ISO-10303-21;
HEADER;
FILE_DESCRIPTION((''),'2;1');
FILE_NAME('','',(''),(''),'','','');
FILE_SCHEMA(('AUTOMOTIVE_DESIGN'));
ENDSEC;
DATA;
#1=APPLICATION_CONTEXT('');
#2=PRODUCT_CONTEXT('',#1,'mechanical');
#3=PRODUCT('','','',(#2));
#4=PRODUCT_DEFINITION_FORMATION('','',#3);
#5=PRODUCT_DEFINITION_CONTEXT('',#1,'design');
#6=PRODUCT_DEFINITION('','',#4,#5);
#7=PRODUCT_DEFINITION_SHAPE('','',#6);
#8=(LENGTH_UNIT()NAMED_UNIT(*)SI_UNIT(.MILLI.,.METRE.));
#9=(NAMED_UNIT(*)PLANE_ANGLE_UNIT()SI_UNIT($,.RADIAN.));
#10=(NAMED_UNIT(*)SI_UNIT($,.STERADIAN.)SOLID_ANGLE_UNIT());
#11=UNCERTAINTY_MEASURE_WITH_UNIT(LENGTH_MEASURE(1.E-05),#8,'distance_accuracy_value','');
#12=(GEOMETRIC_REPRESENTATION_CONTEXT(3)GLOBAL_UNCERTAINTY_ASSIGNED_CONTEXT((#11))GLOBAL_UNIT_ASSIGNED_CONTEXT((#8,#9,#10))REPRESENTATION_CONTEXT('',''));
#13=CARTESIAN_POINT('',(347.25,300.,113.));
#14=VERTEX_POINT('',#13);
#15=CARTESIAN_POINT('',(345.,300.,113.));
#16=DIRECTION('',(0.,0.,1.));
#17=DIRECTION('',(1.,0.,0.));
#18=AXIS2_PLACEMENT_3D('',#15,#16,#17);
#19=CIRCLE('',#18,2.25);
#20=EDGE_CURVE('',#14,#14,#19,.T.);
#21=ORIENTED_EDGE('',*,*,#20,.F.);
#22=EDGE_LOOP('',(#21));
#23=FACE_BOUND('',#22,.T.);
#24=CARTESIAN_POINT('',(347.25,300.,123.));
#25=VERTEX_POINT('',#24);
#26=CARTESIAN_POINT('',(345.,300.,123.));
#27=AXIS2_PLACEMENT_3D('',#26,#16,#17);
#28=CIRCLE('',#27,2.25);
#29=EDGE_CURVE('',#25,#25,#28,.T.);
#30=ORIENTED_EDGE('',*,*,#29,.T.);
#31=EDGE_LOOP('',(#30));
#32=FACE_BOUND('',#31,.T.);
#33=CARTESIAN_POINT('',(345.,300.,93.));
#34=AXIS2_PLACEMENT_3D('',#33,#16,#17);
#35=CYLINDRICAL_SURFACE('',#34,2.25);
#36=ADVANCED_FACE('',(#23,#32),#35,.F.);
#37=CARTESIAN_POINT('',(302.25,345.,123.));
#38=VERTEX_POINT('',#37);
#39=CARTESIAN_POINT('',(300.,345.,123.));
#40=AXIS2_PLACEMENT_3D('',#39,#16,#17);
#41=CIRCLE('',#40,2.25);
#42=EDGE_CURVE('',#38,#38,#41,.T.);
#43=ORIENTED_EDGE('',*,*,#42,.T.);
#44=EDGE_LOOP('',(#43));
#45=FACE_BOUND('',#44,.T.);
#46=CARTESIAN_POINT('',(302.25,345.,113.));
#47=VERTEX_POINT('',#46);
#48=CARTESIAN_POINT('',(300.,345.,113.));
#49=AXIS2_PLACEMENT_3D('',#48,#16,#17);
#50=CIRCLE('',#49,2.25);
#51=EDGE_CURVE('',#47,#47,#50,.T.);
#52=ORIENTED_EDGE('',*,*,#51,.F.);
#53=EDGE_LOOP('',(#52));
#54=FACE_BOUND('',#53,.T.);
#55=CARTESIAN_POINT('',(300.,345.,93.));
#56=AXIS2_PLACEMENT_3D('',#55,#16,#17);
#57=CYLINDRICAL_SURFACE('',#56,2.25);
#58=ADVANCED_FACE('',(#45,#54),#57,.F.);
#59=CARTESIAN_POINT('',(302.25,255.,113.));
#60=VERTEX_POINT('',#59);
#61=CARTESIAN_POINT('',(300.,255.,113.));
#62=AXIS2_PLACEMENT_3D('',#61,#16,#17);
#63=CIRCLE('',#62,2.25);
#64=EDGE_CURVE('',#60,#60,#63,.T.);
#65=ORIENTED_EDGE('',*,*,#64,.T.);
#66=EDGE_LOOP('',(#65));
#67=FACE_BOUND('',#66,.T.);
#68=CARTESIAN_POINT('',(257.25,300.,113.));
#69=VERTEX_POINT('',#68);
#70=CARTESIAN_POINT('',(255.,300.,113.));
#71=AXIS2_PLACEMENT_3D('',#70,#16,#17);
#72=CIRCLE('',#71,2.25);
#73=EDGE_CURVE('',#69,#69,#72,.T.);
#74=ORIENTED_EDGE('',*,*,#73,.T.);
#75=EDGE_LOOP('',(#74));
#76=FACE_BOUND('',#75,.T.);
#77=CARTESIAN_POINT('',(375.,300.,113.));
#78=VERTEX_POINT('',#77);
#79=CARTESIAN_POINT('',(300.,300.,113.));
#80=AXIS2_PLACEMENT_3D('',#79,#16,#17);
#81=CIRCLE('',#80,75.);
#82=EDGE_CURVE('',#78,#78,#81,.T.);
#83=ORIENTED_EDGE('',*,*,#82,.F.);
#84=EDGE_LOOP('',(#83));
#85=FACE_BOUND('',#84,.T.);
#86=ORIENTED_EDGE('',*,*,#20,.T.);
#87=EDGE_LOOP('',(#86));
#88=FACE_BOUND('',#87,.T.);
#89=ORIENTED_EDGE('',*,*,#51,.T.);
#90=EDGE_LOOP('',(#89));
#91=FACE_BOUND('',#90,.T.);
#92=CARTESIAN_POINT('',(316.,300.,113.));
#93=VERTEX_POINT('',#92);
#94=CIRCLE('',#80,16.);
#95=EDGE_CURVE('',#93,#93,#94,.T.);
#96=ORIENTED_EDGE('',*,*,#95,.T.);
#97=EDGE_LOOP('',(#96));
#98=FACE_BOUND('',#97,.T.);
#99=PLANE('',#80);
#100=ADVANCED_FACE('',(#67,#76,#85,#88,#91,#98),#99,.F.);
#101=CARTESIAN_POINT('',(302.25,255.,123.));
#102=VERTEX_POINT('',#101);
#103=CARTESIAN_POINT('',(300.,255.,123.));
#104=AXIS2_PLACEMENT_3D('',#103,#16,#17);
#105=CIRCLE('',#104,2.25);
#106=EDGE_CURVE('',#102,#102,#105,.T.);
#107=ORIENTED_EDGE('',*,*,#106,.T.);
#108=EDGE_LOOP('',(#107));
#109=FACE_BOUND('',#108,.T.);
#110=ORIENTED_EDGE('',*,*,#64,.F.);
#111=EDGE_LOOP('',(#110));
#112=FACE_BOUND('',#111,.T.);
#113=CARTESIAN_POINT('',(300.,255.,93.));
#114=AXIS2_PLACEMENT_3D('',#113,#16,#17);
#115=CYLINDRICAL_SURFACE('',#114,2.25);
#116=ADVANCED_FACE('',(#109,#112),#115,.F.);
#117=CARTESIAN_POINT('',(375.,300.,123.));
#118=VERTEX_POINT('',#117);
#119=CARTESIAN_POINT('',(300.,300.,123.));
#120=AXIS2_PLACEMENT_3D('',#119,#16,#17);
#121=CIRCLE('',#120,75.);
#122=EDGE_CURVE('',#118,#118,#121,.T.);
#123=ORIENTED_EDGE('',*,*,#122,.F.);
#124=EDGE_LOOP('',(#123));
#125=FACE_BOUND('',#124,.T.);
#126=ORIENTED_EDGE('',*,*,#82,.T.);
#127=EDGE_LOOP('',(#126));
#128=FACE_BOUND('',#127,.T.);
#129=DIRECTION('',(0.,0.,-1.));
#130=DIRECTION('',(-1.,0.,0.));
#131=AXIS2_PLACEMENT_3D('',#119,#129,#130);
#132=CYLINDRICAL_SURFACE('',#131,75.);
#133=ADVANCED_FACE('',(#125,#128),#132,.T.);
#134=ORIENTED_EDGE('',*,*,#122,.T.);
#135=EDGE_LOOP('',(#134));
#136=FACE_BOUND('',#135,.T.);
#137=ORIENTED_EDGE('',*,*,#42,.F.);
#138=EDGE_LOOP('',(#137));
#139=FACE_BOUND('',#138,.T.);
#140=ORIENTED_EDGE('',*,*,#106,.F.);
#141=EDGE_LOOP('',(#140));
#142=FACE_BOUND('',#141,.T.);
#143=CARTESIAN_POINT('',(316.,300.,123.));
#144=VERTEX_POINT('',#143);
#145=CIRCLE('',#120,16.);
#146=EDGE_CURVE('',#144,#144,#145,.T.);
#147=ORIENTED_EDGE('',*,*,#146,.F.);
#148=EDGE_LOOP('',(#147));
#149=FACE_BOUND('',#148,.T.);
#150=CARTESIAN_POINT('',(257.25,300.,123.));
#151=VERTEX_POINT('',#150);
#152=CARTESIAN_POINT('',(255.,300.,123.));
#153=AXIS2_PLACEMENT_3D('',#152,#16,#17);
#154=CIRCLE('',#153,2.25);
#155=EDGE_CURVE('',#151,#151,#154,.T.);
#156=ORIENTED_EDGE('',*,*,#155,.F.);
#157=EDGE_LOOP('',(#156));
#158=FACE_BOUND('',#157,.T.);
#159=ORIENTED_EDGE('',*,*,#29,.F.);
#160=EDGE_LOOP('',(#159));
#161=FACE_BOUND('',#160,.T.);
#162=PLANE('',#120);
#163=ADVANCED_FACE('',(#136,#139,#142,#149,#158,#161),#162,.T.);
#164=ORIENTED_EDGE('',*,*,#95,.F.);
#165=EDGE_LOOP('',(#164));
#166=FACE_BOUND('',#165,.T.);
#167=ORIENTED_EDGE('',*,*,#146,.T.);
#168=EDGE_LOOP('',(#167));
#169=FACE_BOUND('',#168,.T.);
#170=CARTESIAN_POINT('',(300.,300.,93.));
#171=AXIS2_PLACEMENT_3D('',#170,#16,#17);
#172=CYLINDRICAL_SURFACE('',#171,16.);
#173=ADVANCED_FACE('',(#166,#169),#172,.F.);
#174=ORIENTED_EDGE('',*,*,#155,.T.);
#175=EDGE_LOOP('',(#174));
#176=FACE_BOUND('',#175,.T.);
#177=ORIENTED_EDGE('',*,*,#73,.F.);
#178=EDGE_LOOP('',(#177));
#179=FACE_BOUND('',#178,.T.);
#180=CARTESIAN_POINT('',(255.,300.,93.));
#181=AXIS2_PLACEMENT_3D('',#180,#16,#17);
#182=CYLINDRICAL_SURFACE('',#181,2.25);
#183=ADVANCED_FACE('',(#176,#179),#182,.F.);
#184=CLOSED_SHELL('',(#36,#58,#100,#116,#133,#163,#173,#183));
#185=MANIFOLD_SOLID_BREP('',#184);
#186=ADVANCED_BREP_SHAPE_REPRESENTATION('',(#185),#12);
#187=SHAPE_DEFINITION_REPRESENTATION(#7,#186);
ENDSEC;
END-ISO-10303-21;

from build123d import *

# Parameters (mm, degrees)
SKETCH1_R           = 75
BOSS_EXTRUDE1_DEPTH = 10
SKETCH2_R           = 16
CUT_EXTRUDE1_DEPTH  = 30
SKETCH3_R           = 2.25
CUT_EXTRUDE2_DEPTH  = 30
SKETCH4_R           = 2.25
CUT_EXTRUDE3_DEPTH  = 30
SKETCH5_R           = 2.25
CUT_EXTRUDE4_DEPTH  = 30
SKETCH6_R           = 2.25
CUT_EXTRUDE5_DEPTH  = 30


with BuildPart() as part:
    # Sketch1 → Boss-Extrude1 (new body)
    with BuildSketch(Plane.XY.offset(113)):
        with Locations((300, 300)):
            Circle(SKETCH1_R)
    extrude(amount=BOSS_EXTRUDE1_DEPTH)

    # Sketch2 → Cut-Extrude1 (cut)
    with BuildSketch(Plane.XY.offset(123)):
        with Locations((300, 300)):
            Circle(SKETCH2_R)
    extrude(amount=-CUT_EXTRUDE1_DEPTH, mode=Mode.SUBTRACT)

    # Sketch3 → Cut-Extrude2 (cut)
    with BuildSketch(Plane.XY.offset(123)):
        with Locations((345, 300)):
            Circle(SKETCH3_R)
    extrude(amount=-CUT_EXTRUDE2_DEPTH, mode=Mode.SUBTRACT)

    # Sketch4 → Cut-Extrude3 (cut)
    with BuildSketch(Plane.XY.offset(123)):
        with Locations((255, 300)):
            Circle(SKETCH4_R)
    extrude(amount=-CUT_EXTRUDE3_DEPTH, mode=Mode.SUBTRACT)

    # Sketch5 → Cut-Extrude4 (cut)
    with BuildSketch(Plane.XY.offset(123)):
        with Locations((300, 345)):
            Circle(SKETCH5_R)
    extrude(amount=-CUT_EXTRUDE4_DEPTH, mode=Mode.SUBTRACT)

    # Sketch6 → Cut-Extrude5 (cut)
    with BuildSketch(Plane.XY.offset(123)):
        with Locations((300, 255)):
            Circle(SKETCH6_R)
    extrude(amount=-CUT_EXTRUDE5_DEPTH, mode=Mode.SUBTRACT)


solid = part.part
